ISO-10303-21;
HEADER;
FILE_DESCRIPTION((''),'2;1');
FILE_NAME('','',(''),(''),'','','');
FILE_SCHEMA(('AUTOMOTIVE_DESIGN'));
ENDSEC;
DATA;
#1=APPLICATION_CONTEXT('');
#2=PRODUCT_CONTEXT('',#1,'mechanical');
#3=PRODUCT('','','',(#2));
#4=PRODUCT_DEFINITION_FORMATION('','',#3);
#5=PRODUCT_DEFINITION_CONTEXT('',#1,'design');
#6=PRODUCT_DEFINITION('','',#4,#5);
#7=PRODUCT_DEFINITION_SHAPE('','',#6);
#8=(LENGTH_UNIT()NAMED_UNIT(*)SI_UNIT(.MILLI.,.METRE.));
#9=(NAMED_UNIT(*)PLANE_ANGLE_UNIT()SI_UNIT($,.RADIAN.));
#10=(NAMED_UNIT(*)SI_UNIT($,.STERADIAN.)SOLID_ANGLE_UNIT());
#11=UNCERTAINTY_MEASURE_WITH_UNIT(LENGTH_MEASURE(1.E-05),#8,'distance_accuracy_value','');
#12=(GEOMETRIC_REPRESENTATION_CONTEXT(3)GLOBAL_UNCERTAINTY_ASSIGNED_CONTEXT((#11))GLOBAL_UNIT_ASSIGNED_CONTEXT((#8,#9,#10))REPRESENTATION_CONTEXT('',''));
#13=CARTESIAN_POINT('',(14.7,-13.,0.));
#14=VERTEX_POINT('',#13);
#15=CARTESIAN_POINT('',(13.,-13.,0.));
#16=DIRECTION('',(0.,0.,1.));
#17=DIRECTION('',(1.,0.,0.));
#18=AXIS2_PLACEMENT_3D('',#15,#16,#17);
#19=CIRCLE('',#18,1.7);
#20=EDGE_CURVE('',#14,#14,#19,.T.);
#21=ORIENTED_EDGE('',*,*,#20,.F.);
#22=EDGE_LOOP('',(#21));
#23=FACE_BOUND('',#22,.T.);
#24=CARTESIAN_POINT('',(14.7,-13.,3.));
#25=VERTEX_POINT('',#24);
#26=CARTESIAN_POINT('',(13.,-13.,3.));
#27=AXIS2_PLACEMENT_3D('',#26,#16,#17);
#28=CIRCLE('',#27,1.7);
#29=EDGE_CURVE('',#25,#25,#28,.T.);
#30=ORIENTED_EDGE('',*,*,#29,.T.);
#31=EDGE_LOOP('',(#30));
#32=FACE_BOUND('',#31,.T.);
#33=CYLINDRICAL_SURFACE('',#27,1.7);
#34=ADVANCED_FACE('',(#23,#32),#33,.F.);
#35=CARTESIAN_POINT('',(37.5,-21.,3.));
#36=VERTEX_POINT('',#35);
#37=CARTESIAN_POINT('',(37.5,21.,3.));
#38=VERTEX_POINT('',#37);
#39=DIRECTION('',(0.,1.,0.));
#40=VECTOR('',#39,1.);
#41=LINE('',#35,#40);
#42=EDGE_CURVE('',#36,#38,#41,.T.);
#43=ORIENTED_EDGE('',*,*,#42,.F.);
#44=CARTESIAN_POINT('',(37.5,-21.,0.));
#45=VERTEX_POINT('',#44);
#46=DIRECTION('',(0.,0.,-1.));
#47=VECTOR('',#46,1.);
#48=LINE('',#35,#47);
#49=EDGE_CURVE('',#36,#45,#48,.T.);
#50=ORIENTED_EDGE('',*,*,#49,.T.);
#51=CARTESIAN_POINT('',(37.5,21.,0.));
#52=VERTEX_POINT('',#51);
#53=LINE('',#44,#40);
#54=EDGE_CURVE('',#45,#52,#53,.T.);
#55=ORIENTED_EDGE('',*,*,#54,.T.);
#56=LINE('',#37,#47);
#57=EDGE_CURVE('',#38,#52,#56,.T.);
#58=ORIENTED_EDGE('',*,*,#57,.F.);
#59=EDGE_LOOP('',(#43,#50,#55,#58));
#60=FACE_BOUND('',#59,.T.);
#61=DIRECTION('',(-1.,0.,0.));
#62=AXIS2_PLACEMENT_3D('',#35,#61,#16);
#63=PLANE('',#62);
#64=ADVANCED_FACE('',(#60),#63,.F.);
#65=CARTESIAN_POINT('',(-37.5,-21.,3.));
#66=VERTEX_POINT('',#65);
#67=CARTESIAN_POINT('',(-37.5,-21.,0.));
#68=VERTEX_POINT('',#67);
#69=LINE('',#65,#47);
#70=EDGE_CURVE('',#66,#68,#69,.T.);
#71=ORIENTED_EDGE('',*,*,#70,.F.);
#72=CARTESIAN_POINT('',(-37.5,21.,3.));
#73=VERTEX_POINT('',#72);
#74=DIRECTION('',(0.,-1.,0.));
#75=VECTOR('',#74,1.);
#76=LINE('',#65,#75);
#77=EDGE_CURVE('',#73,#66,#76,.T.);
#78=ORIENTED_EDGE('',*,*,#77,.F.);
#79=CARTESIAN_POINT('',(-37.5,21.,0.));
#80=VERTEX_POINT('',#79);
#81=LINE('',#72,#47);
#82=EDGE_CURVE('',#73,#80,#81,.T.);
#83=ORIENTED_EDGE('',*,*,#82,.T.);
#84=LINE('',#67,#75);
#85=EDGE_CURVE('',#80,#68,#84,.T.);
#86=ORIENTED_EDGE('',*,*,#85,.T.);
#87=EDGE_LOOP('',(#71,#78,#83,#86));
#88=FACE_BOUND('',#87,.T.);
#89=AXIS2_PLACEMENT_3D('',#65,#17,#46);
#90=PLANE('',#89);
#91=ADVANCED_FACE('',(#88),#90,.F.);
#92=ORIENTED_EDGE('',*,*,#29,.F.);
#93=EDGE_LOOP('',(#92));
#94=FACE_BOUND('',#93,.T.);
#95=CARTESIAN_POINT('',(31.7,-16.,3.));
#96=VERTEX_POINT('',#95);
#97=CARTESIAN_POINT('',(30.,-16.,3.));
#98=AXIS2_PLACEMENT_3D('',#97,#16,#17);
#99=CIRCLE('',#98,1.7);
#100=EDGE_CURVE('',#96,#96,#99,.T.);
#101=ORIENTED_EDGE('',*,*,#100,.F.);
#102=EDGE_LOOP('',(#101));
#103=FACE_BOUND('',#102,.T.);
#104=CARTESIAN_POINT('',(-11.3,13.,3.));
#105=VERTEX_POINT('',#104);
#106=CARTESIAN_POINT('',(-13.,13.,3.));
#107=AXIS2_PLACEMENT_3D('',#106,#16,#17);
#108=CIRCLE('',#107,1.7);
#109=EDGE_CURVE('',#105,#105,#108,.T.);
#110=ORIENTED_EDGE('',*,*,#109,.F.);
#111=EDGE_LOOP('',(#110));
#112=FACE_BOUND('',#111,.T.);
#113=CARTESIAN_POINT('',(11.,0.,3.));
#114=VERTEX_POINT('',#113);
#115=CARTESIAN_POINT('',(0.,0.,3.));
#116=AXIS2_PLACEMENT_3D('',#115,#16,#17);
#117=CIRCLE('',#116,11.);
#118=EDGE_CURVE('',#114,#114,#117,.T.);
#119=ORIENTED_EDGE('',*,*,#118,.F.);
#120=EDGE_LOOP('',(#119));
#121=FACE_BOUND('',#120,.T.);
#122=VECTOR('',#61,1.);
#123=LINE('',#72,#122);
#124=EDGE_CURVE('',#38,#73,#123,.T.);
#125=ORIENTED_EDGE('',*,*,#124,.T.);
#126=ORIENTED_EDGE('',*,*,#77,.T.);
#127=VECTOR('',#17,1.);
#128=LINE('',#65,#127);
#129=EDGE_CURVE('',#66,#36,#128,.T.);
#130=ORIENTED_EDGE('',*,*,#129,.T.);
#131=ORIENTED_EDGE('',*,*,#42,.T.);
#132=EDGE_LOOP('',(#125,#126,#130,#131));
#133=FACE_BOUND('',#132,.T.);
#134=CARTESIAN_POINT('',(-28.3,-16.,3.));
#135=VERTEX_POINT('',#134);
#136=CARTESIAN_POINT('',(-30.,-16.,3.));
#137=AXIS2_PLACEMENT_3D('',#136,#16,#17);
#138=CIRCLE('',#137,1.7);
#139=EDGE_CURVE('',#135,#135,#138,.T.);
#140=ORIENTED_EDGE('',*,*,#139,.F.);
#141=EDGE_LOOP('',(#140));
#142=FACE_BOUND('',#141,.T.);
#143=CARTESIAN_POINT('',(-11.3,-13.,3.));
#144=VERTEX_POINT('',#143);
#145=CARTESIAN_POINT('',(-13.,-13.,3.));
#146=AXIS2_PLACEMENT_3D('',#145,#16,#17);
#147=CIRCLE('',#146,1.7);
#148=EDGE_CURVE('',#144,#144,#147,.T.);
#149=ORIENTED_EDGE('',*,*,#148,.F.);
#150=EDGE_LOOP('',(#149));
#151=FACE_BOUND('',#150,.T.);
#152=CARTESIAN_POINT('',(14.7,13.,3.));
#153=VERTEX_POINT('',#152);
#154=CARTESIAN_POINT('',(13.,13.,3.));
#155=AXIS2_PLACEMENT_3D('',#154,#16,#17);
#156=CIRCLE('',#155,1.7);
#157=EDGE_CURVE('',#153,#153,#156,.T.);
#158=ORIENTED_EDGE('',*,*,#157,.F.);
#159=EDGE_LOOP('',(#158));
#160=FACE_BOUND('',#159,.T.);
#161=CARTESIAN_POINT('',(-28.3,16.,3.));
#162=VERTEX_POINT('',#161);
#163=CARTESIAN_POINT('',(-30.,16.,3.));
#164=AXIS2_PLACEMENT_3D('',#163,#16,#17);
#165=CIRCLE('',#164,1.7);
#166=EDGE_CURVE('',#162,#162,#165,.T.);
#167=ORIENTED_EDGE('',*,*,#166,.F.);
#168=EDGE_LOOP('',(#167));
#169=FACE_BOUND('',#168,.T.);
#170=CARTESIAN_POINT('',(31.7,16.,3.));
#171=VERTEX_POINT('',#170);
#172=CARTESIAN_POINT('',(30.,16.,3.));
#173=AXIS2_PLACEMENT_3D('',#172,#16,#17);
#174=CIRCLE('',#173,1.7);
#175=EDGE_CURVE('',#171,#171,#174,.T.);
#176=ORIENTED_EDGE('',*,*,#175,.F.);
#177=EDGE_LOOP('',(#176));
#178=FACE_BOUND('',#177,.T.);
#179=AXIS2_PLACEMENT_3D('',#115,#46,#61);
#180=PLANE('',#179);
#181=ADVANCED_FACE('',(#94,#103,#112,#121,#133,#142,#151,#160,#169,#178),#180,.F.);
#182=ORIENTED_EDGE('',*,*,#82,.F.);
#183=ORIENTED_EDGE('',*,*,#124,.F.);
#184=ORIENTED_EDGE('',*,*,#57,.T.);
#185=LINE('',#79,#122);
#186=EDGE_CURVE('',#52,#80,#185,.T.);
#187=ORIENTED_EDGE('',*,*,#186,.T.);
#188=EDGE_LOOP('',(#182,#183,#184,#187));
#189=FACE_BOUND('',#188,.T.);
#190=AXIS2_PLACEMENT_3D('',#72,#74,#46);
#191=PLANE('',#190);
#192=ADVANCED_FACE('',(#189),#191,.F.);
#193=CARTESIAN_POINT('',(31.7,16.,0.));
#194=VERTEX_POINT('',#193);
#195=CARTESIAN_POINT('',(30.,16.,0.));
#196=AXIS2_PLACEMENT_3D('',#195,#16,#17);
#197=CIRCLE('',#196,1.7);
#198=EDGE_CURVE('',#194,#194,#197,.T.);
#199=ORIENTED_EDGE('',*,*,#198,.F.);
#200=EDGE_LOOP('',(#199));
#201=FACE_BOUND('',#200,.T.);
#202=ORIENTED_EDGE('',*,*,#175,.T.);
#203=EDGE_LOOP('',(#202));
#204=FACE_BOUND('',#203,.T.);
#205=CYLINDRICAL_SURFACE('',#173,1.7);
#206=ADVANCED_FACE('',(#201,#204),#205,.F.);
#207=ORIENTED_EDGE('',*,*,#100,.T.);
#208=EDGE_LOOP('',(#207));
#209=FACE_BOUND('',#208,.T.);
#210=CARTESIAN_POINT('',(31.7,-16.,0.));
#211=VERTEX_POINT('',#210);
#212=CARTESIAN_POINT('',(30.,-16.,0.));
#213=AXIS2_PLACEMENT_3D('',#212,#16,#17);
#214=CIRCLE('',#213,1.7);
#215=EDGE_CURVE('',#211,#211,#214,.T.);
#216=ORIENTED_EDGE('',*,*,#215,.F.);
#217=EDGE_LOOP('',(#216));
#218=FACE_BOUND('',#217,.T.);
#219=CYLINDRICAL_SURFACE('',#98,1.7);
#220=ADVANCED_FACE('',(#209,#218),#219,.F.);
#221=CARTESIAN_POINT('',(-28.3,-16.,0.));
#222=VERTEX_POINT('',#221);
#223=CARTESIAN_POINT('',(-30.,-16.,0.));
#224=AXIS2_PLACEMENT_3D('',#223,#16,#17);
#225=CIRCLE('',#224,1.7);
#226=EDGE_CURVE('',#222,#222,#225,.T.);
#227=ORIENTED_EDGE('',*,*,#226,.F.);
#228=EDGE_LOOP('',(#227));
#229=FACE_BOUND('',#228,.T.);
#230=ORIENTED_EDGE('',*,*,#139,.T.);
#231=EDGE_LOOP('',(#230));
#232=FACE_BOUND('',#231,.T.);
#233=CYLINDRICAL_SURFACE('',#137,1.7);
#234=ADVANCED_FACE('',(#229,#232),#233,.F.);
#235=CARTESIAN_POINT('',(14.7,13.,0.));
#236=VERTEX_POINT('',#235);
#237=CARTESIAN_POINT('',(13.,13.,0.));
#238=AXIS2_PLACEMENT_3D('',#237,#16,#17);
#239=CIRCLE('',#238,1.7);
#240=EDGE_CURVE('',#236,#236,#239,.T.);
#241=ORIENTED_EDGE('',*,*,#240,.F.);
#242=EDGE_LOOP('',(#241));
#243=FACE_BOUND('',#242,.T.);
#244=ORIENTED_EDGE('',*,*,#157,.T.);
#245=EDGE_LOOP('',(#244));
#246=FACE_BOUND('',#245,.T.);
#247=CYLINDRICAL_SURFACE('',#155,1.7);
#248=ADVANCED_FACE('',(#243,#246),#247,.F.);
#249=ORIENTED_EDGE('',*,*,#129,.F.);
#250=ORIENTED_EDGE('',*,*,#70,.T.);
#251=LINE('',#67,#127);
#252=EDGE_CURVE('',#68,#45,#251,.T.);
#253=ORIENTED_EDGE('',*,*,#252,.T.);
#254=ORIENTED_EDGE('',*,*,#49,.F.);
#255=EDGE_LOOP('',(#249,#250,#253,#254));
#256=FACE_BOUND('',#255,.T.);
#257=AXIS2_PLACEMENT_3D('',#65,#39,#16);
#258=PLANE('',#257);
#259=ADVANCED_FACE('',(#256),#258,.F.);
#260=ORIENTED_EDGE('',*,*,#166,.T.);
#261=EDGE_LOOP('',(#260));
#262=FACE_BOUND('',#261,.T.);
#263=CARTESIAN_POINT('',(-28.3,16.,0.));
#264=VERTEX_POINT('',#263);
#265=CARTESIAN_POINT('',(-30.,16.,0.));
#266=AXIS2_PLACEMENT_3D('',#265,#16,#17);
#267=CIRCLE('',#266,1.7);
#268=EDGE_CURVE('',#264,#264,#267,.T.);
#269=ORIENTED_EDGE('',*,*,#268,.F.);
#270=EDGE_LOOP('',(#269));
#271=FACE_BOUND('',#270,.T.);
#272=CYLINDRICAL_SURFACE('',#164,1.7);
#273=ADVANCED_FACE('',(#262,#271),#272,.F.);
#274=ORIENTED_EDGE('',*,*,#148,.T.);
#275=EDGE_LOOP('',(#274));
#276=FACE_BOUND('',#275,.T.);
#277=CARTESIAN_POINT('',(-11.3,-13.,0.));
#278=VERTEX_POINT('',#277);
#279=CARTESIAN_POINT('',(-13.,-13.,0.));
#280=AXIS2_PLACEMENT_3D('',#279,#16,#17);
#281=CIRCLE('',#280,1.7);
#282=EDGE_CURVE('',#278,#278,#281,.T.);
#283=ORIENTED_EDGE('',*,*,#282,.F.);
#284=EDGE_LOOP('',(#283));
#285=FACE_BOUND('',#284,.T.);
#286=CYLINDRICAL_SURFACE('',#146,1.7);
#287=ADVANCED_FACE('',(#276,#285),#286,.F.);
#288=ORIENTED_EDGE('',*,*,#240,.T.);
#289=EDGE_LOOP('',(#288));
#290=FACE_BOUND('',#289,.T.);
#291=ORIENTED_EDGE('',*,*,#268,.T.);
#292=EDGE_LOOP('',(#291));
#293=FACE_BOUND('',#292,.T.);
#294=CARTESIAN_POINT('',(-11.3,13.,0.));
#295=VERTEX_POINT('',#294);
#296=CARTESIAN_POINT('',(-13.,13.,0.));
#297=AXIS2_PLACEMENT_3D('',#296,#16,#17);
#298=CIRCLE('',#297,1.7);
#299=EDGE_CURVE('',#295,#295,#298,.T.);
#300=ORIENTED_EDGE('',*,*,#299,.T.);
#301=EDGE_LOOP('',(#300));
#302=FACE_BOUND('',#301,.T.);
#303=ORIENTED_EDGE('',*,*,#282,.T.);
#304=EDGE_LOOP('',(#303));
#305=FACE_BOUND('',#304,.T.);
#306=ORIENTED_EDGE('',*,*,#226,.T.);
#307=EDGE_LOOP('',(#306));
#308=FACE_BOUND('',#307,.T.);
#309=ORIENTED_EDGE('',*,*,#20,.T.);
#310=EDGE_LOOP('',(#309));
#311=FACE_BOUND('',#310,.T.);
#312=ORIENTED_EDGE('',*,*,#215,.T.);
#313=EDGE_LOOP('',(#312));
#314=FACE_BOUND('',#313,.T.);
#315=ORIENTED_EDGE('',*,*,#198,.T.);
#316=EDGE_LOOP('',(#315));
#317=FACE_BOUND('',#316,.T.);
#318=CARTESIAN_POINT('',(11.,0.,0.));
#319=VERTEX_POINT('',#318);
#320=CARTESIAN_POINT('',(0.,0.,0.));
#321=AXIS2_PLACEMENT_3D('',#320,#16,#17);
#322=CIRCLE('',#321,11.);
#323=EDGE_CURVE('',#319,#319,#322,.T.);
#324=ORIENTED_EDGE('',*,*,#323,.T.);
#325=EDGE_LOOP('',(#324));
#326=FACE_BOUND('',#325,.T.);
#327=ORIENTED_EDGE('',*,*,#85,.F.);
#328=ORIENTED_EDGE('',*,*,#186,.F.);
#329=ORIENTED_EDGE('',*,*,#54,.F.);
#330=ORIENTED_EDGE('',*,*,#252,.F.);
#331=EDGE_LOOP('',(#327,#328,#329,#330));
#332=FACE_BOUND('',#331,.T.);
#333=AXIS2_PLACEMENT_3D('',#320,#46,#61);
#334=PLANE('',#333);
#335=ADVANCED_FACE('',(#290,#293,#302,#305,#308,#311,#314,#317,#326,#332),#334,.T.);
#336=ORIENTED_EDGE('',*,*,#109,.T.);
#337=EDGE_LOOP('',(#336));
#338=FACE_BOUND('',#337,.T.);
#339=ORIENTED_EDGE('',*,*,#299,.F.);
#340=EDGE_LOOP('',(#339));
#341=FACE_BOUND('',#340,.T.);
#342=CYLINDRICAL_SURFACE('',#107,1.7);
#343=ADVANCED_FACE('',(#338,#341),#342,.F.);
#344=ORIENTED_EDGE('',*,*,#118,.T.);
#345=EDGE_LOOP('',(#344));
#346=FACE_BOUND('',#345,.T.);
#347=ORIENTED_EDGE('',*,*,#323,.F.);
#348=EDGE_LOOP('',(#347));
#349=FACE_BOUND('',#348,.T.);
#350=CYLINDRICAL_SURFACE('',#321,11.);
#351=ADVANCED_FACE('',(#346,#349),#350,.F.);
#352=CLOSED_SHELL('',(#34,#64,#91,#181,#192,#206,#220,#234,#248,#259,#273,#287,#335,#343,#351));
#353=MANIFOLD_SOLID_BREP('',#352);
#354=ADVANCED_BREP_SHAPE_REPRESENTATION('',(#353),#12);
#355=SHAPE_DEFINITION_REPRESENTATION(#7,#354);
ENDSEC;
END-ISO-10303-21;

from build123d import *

# Parameters (mm, degrees)
SKETCH1_W            = 75
SKETCH1_H            = 42
BOSS_EXTRUDE1_DEPTH  = 3
SKETCH2_R            = 11
CUT_EXTRUDE1_DEPTH   = 4
M3_CLEARANCE_HOLE1_D = 3.4
M3_CLEARANCE_HOLE2_D = 3.4


with BuildPart() as part:
    # Sketch1 → Boss-Extrude1 (new body)
    with BuildSketch(Plane.XY):
        Rectangle(SKETCH1_W, SKETCH1_H)
    extrude(amount=BOSS_EXTRUDE1_DEPTH)

    # Sketch2 → Cut-Extrude1 (cut, through all)
    with BuildSketch(Plane.XY.offset(3)):
        Circle(SKETCH2_R)
    extrude(amount=-CUT_EXTRUDE1_DEPTH, mode=Mode.SUBTRACT)

    # M3 Clearance Hole1 (through all)
    with Locations(Plane.XY.offset(3)):
        with Locations((-13, -13), (13, -13), (13, 13), (-13, 13)):
            Hole(M3_CLEARANCE_HOLE1_D / 2)

    # M3 Clearance Hole2 (through all)
    with Locations(Plane.XY.offset(3)):
        with Locations((-30, -16), (-30, 16), (30, -16), (30, 16)):
            Hole(M3_CLEARANCE_HOLE2_D / 2)


solid = part.part
